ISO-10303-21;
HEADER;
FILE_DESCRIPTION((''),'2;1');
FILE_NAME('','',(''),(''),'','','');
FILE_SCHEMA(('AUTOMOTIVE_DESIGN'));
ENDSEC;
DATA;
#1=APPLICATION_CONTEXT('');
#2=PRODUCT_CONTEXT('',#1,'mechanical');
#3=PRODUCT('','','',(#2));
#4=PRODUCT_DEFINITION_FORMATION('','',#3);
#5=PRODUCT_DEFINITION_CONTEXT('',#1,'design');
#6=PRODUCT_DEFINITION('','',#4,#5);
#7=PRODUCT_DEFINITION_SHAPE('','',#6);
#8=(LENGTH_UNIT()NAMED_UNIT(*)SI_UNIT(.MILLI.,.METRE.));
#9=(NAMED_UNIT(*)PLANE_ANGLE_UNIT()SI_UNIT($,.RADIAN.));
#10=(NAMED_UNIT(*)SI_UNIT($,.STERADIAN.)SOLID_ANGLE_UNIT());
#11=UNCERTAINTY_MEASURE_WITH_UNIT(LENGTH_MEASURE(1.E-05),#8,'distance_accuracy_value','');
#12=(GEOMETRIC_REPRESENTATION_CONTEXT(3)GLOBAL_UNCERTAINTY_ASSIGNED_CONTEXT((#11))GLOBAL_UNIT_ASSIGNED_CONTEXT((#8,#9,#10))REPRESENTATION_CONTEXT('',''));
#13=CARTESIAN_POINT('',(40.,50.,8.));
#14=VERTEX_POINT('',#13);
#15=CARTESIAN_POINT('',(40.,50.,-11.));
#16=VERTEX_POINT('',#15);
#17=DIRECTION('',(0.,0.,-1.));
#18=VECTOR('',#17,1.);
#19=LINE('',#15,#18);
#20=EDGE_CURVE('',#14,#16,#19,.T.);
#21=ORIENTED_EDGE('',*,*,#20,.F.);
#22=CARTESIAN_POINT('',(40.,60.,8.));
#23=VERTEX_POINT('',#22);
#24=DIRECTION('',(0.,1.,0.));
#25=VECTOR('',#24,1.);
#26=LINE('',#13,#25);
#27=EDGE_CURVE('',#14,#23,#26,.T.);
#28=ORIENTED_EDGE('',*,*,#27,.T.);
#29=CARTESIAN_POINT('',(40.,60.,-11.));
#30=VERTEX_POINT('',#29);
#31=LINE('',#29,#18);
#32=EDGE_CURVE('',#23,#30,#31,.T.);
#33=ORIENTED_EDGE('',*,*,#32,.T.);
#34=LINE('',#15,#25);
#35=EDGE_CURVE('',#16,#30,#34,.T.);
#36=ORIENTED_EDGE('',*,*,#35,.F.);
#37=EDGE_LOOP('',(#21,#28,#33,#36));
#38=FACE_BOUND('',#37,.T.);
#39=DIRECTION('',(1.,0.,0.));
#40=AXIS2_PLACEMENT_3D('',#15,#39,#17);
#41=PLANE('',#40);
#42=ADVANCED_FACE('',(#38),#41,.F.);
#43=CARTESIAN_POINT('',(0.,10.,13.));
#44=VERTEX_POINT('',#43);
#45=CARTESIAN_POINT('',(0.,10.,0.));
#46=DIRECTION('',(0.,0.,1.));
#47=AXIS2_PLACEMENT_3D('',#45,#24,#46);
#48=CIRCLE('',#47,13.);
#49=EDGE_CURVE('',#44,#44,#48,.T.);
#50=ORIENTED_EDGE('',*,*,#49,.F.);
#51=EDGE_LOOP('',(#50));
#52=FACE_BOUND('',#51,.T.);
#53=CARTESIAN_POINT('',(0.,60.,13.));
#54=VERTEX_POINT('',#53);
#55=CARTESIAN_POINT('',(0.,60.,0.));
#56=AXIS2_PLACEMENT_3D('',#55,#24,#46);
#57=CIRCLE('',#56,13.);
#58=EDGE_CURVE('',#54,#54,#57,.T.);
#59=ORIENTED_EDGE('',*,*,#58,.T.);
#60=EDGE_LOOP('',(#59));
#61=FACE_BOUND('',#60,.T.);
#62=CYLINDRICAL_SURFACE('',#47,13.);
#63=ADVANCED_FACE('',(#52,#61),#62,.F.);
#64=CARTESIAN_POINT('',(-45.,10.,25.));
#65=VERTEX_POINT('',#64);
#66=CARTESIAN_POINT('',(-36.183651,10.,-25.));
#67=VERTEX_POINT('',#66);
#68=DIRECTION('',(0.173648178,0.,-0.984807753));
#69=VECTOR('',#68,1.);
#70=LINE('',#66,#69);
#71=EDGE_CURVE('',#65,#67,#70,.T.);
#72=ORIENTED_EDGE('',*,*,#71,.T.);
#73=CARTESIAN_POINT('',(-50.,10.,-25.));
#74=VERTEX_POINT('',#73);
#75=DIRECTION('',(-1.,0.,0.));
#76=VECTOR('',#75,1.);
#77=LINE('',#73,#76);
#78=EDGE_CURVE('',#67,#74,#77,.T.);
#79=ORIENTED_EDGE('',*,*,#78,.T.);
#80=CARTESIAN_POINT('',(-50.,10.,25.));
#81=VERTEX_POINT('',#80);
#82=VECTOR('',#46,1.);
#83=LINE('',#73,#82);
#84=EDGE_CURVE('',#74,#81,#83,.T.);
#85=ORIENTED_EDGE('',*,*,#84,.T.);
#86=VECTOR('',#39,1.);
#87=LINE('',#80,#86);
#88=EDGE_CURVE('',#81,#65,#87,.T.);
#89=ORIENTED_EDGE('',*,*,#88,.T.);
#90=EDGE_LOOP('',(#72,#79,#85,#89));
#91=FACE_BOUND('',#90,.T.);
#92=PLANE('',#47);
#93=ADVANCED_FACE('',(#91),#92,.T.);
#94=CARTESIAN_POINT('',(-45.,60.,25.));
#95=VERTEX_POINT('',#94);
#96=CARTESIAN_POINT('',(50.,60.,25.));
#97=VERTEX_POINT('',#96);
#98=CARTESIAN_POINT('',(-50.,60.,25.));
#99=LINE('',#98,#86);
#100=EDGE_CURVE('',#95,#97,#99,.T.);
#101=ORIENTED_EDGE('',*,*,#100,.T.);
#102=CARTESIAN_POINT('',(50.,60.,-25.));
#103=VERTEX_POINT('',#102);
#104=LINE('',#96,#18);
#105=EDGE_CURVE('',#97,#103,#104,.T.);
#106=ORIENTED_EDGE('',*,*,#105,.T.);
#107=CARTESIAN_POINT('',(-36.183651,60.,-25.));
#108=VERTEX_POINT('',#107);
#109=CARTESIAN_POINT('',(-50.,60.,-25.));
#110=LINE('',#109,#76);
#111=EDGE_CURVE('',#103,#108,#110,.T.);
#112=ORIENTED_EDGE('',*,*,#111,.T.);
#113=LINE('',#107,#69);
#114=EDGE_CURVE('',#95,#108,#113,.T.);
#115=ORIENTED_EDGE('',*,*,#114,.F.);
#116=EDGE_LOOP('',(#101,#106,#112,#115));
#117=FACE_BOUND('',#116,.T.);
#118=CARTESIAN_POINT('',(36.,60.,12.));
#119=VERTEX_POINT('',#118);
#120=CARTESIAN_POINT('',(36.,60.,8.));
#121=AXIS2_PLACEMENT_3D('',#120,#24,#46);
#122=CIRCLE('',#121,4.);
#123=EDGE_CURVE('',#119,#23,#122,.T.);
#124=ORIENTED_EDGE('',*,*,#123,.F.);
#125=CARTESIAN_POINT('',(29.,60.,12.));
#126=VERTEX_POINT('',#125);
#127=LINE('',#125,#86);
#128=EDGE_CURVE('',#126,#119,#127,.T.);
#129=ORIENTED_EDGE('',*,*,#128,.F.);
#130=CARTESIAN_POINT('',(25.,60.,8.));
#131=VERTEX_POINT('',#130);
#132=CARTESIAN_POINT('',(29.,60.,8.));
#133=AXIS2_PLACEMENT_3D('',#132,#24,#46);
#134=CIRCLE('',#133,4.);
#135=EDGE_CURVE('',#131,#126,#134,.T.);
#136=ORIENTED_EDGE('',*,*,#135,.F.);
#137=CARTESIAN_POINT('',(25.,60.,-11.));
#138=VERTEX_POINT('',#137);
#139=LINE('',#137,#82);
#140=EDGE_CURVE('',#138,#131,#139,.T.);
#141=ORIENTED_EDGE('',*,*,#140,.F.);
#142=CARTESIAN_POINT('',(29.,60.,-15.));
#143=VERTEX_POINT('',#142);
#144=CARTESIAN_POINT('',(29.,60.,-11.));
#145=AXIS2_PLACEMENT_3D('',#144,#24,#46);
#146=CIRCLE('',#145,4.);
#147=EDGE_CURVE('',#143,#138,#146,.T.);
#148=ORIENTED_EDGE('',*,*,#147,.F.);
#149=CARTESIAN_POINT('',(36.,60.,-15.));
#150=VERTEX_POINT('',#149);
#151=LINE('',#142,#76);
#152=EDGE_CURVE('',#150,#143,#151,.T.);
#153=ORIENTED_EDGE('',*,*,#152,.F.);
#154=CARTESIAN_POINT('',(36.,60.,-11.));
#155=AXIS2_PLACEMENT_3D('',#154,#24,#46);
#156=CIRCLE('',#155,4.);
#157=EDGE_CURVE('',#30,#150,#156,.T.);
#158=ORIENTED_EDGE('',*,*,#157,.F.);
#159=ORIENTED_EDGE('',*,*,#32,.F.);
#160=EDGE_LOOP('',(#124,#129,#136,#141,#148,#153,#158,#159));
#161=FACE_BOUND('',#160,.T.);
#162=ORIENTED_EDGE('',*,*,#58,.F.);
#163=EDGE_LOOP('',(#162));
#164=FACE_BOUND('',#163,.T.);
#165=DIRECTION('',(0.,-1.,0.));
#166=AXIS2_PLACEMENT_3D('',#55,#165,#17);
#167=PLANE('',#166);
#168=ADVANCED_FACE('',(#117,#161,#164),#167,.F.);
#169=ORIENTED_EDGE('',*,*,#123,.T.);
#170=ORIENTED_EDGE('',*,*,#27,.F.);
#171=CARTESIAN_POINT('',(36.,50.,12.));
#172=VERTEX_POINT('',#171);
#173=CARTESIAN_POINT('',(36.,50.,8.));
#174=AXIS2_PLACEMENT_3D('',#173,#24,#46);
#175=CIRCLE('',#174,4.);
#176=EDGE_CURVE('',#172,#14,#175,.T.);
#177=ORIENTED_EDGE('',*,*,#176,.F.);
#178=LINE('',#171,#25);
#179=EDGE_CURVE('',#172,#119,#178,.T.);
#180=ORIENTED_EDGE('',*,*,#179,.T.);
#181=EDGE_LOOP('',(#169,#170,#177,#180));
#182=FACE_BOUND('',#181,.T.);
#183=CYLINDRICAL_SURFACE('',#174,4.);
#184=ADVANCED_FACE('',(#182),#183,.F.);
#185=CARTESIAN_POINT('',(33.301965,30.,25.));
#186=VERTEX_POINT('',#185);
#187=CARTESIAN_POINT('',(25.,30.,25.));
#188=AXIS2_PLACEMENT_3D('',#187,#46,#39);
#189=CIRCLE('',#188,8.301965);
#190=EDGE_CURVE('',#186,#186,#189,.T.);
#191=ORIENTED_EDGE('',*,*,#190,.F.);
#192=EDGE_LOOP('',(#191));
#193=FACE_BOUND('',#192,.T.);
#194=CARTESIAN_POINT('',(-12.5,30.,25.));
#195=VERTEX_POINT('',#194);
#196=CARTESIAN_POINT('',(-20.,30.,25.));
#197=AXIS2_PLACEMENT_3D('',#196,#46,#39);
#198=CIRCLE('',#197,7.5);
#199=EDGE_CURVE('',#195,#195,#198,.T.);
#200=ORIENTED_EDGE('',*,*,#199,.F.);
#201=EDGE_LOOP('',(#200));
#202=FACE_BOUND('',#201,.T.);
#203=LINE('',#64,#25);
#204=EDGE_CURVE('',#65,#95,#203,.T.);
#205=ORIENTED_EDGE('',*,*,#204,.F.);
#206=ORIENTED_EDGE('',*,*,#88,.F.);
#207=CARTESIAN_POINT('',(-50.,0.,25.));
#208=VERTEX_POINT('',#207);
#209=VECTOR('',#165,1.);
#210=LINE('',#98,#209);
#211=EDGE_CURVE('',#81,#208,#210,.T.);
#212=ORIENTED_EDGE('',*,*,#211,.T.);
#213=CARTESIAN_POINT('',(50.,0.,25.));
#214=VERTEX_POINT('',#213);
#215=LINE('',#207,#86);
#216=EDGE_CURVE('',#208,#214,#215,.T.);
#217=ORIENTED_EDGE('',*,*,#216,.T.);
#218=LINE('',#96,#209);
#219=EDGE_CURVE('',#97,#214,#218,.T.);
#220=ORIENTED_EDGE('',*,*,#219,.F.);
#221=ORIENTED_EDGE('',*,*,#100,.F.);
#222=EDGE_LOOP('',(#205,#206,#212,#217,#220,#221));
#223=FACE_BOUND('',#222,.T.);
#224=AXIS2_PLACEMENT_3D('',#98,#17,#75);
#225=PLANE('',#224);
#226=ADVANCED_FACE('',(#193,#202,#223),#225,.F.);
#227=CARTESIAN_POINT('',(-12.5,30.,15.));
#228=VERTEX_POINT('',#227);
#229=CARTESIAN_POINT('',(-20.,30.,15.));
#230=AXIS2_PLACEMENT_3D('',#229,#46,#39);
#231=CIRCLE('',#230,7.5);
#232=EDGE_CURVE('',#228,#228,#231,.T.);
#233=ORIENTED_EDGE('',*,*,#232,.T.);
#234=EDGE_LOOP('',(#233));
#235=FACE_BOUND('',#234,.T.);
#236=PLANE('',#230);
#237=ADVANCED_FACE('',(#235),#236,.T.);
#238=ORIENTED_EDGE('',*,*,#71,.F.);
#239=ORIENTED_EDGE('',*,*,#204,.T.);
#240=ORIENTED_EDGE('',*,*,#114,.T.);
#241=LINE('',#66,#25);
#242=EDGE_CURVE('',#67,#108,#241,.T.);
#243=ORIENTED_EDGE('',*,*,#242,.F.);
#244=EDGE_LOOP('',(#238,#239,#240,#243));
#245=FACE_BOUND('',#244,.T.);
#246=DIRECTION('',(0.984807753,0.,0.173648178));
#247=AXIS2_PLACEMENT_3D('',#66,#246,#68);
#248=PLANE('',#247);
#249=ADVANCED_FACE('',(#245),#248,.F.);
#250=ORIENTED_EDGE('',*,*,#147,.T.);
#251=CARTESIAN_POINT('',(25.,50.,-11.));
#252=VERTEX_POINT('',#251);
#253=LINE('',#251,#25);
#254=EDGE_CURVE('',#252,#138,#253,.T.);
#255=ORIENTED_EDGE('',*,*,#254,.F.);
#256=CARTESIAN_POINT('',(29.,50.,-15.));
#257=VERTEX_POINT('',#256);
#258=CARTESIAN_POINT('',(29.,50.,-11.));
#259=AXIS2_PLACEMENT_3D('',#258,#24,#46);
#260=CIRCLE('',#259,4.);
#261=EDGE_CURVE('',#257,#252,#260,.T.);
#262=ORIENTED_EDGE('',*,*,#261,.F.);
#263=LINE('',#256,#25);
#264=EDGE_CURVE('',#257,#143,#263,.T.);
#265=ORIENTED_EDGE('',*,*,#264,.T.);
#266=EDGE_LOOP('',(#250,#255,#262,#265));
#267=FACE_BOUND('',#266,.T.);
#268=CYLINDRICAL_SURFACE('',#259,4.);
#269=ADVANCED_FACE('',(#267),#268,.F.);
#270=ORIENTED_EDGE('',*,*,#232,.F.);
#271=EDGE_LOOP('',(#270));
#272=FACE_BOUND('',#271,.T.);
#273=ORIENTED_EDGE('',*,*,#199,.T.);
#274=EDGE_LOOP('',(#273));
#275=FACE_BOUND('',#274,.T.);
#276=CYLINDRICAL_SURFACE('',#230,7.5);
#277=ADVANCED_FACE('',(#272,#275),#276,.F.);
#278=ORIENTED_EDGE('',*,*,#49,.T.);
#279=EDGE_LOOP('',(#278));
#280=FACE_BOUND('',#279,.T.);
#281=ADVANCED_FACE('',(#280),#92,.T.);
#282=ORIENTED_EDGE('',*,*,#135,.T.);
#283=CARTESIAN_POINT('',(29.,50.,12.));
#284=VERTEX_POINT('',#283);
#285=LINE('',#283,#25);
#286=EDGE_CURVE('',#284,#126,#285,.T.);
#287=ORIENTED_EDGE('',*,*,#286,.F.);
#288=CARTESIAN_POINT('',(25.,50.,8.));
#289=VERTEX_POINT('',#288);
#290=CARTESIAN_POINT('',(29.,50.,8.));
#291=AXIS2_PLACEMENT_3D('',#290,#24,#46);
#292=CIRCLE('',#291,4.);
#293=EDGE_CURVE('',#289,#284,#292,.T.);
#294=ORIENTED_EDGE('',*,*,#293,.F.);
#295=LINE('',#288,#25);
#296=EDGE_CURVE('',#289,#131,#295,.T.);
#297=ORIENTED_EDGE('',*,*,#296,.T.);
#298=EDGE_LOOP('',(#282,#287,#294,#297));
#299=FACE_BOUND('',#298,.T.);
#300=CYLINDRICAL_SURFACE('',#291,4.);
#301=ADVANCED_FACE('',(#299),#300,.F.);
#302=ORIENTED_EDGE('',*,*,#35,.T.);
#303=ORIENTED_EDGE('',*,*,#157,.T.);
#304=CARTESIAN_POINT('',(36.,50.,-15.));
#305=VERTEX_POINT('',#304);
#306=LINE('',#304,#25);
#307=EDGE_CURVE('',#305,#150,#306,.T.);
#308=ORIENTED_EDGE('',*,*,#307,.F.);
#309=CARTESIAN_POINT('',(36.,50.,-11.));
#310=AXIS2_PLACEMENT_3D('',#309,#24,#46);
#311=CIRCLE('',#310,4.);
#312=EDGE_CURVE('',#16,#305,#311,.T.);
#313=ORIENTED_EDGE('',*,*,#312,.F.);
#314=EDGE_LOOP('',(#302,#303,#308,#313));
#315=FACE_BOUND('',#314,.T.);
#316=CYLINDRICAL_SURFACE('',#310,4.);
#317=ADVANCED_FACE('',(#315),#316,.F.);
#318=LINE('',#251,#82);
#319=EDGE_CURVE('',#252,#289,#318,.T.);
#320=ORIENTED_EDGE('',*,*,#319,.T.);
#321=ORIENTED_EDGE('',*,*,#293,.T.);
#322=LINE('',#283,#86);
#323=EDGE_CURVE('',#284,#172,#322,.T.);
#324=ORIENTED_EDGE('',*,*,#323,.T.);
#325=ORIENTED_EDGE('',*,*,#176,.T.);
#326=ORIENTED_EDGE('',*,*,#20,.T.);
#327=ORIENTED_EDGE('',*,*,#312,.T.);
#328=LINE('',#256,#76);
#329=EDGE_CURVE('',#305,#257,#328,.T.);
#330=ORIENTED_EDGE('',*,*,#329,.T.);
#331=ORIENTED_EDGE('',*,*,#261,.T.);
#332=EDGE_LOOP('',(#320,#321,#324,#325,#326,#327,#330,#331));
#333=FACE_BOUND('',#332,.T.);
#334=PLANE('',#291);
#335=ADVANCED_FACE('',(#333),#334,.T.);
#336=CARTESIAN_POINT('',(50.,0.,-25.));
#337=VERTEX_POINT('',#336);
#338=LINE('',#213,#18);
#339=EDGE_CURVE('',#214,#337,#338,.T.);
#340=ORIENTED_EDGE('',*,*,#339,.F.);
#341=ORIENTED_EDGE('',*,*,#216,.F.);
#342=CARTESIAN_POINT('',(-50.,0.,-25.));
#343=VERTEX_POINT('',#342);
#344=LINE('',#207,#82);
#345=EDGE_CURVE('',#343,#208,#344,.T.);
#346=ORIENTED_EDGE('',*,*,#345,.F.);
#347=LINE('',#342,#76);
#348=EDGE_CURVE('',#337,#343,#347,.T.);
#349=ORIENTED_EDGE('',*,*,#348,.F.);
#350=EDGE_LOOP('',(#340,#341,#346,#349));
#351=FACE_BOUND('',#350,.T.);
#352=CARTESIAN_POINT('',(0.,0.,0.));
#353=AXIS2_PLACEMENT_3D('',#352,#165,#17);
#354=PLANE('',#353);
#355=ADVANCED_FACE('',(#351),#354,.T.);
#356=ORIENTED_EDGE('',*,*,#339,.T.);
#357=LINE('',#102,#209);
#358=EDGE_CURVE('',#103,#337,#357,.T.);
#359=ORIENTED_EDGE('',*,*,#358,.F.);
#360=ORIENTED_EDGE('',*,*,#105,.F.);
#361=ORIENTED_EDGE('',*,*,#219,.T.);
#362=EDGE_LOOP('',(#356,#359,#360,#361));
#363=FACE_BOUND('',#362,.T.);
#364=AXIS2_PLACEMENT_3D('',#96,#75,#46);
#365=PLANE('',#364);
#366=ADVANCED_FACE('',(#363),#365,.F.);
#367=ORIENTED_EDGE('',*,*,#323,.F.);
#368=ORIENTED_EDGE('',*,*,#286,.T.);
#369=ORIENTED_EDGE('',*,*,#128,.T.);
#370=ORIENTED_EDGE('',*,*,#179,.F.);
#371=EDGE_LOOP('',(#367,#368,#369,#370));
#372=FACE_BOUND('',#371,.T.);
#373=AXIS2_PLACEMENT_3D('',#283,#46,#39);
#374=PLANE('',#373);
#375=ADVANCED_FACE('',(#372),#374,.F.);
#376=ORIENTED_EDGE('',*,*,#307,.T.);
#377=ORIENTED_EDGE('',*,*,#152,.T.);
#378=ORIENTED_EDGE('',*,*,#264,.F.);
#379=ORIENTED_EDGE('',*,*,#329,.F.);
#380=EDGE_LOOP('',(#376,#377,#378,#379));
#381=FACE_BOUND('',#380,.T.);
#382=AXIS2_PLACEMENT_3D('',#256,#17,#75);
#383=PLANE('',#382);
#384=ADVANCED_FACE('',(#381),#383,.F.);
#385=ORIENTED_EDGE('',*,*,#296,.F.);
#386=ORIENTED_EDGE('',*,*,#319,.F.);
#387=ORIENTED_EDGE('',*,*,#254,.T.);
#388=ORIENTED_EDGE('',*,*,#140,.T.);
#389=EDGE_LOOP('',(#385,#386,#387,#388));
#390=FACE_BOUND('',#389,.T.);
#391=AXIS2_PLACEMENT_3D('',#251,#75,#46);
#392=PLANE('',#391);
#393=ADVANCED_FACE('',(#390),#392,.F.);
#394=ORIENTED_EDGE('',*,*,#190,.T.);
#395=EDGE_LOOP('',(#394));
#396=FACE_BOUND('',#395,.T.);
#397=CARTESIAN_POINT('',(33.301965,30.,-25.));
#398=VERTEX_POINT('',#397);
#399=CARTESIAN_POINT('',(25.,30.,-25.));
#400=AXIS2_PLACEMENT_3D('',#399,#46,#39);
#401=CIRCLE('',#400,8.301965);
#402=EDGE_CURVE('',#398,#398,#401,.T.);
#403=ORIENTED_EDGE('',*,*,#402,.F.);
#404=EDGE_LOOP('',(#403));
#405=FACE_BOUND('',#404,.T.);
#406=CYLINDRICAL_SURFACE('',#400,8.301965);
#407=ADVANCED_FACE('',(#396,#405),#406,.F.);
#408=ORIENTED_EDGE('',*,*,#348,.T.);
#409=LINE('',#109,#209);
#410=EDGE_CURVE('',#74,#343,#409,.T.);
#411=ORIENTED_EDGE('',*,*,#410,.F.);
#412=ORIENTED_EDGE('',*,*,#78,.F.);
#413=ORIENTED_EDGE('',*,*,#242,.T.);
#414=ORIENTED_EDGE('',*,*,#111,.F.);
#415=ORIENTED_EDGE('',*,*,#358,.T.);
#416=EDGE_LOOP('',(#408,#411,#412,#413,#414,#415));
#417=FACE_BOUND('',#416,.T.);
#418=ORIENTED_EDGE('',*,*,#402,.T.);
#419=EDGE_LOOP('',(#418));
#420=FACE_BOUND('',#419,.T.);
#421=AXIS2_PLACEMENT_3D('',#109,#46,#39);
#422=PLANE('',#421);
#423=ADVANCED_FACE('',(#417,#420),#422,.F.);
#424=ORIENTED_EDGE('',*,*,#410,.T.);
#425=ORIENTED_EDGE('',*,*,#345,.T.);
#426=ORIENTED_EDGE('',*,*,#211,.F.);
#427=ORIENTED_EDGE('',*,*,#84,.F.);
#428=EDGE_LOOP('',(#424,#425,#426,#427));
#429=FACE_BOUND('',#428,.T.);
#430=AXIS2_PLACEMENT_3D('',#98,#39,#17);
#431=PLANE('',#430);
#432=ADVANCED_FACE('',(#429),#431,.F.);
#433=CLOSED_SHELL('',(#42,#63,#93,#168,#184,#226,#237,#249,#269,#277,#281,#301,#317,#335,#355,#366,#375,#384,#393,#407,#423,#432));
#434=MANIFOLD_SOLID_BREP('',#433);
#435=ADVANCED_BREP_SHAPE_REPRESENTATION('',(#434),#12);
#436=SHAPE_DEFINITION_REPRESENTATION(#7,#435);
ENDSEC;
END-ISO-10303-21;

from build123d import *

# Parameters (mm, degrees)
SKETCH1_W           = 100
SKETCH1_H           = 50
BOSS_EXTRUDE1_DEPTH = 60
CUT_EXTRUDE1_DEPTH  = 50
SKETCH3_R           = 13
CUT_EXTRUDE2_DEPTH  = 50
SKETCH4_R           = 8.30196488
CUT_EXTRUDE3_DEPTH  = 93.736184955
CUT_EXTRUDE4_DEPTH  = 10
SKETCH7_R           = 7.5
CUT_EXTRUDE5_DEPTH  = 10


with BuildPart() as part:
    # Sketch1 → Boss-Extrude1 (new body)
    with BuildSketch(Plane(origin=(0, 0, 0), x_dir=(1, 0, 0), z_dir=(0, 1, 0))):
        Rectangle(SKETCH1_W, SKETCH1_H)
    extrude(amount=BOSS_EXTRUDE1_DEPTH)

    # Sketch2 → Cut-Extrude1 (cut)
    with BuildSketch(Plane(origin=(0, 60, 0), x_dir=(1, 0, 0), z_dir=(0, 1, 0))):
        Polygon((-50, 25), (-36.183650965, 25), (-45, -25), (-50, -25), align=None)
    extrude(amount=-CUT_EXTRUDE1_DEPTH, mode=Mode.SUBTRACT)

    # Sketch3 → Cut-Extrude2 (cut)
    with BuildSketch(Plane(origin=(0, 60, 0), x_dir=(1, 0, 0), z_dir=(0, 1, 0))):
        with Locations(Location((0, 0, 0), (0, 0, 270))):
            Circle(SKETCH3_R)
    extrude(amount=-CUT_EXTRUDE2_DEPTH, mode=Mode.SUBTRACT)

    # Sketch4 → Cut-Extrude3 (cut, through all)
    with BuildSketch(Plane.XY.offset(25)):
        with Locations((25, 30)):
            Circle(SKETCH4_R)
    extrude(amount=-CUT_EXTRUDE3_DEPTH, mode=Mode.SUBTRACT)

    # Sketch6 → Cut-Extrude4 (cut)
    with BuildSketch(Plane(origin=(0, 60, 0), x_dir=(1, 0, 0), z_dir=(0, 1, 0))):
        with BuildLine():
            Line((29, 15), (36, 15))
            ThreePointArc((36, 15), (38.828427125, 13.828427125), (40, 11))
            Line((40, 11), (40, -8))
            ThreePointArc((40, -8), (38.828427125, -10.828427125), (36, -12))
            Line((36, -12), (29, -12))
            ThreePointArc((29, -12), (26.171572875, -10.828427125), (25, -8))
            Line((25, -8), (25, 11))
            ThreePointArc((25, 11), (26.171572875, 13.828427125), (29, 15))
        make_face()
    extrude(amount=-CUT_EXTRUDE4_DEPTH, mode=Mode.SUBTRACT)

    # Sketch7 → Cut-Extrude5 (cut)
    with BuildSketch(Plane.XY.offset(25)):
        with Locations((-20, 30)):
            Circle(SKETCH7_R)
    extrude(amount=-CUT_EXTRUDE5_DEPTH, mode=Mode.SUBTRACT)


solid = part.part
